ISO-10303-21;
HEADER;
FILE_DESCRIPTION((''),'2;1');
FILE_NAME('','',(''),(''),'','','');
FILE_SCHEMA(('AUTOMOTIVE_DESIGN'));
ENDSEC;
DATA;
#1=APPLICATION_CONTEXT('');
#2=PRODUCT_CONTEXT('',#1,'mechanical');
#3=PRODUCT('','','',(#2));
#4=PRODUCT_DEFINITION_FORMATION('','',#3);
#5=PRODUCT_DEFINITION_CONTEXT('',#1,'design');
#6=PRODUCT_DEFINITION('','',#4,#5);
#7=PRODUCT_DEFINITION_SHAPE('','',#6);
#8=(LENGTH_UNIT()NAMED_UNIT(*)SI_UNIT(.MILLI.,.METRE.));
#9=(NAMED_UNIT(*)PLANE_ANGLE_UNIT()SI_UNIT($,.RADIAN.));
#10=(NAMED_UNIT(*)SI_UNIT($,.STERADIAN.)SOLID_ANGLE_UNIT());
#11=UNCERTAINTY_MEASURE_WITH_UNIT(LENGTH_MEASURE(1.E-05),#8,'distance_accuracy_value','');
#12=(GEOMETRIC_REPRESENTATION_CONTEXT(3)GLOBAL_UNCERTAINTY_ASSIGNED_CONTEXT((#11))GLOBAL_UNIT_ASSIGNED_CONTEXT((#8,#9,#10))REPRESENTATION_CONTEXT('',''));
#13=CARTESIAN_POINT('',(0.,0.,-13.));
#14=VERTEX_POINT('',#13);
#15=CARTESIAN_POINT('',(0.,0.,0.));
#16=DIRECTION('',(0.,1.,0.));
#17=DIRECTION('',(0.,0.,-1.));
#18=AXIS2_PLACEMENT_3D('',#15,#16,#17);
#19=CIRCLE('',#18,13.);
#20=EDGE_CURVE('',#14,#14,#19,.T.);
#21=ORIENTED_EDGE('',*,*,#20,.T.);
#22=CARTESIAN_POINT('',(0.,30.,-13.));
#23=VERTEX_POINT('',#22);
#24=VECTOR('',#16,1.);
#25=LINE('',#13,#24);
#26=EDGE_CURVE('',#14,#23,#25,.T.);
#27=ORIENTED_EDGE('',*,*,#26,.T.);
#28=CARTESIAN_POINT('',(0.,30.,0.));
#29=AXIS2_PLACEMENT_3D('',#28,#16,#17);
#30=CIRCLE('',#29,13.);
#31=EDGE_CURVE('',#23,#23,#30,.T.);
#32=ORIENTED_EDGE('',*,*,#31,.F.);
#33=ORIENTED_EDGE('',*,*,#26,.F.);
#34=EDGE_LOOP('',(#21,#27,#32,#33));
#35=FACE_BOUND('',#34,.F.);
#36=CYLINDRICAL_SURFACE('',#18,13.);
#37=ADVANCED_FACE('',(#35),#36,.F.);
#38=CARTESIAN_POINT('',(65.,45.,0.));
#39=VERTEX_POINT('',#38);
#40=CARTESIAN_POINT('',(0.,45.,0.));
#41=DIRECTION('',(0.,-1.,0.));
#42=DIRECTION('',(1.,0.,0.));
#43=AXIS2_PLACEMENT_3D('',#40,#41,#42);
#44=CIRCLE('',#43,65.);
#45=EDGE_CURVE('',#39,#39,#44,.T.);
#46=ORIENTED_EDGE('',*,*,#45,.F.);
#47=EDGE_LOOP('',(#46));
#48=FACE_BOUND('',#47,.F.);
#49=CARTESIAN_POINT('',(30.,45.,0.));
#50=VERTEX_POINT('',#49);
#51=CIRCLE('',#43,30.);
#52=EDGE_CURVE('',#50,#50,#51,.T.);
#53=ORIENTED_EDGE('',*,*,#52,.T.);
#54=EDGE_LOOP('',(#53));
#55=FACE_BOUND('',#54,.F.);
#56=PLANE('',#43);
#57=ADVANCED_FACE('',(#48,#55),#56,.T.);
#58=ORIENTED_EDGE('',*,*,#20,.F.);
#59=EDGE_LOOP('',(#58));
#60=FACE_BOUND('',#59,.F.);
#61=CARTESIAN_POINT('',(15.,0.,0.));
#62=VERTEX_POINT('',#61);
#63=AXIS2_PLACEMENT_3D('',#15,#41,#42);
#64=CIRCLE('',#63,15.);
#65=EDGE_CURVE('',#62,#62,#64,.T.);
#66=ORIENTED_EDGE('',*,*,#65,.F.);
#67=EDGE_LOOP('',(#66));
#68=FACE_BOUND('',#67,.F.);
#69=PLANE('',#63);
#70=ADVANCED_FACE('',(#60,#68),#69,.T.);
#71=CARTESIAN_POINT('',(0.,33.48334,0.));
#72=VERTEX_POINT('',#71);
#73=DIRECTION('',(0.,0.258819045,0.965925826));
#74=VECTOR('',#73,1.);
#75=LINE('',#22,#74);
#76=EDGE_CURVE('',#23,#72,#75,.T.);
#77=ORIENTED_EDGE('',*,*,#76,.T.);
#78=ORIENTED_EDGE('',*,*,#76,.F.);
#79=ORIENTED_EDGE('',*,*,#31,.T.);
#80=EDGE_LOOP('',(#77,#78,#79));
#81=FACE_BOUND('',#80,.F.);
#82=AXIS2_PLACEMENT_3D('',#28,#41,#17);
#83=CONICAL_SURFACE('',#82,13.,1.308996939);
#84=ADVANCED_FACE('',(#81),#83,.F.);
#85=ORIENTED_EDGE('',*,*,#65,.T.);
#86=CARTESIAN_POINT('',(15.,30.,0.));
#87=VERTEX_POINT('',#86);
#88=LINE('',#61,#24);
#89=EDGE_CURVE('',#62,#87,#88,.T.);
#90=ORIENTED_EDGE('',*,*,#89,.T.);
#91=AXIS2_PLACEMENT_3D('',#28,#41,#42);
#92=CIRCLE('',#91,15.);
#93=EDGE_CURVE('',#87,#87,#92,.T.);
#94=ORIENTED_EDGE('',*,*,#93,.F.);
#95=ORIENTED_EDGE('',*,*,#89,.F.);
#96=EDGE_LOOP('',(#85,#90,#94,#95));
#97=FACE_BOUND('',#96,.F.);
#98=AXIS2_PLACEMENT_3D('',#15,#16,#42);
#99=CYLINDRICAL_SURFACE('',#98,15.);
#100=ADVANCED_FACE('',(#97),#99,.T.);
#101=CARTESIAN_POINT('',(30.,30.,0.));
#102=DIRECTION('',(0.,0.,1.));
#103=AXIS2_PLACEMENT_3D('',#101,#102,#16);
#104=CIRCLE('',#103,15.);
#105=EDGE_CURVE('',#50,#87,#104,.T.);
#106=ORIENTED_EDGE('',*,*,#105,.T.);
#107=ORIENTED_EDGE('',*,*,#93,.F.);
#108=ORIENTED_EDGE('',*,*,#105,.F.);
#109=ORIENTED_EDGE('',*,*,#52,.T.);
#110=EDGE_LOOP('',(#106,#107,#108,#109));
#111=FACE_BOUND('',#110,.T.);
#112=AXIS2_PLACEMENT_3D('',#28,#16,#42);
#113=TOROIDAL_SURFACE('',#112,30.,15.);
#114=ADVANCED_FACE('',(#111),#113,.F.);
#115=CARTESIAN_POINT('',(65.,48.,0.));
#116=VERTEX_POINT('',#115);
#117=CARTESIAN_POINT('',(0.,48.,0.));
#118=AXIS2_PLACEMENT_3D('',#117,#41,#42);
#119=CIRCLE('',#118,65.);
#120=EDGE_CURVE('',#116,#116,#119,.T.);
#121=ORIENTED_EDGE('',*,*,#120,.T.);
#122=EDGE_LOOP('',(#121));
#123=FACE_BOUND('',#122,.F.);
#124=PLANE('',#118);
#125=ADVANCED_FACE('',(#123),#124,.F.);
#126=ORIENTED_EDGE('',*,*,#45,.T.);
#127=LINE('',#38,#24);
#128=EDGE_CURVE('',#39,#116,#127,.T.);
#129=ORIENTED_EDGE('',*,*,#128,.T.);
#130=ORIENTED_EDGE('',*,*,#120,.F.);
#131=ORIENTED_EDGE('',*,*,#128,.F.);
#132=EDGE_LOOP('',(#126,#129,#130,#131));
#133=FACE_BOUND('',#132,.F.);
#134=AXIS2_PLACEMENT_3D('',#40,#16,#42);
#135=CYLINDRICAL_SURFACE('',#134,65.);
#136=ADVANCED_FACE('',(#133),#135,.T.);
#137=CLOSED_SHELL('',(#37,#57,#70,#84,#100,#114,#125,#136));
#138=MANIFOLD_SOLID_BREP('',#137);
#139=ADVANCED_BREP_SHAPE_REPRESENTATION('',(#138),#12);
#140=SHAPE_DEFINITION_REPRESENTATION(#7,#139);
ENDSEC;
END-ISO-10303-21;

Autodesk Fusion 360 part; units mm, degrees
sketch "Sketch1" plane through (0, 0, 0) normal (0, 0, 1) x (1, 0, 0)
  line L0 (0, 48) -> (0, 0)
  line L1 (0, 0) -> (15, 0)
  line L2 (15, 0) -> (15, 30)
  line L3 (30, 45) -> (65, 45)
  line L4 (65, 45) -> (65, 48)
  line L5 (65, 48) -> (0, 48)
  arc A0 (30, 45) -> (15, 30) centre (30, 30) ccw
  arc A1 (30, 45) -> (15, 30) centre (30, 30) ccw
  dimension "d1" = 15
  dimension "d2" = 15
  dimension "d3" = 65
  dimension "d4" = 3
  dimension "d6" = 30
revolve "Revolve1" add sketch "Sketch1" angle 360 about axis through (0, 48, 0) along (0, -1, 0)
hole "Hole1" at (0, 0, 0) direction (0, 1, 0) diameter 26 depth 30 tip angle 150
